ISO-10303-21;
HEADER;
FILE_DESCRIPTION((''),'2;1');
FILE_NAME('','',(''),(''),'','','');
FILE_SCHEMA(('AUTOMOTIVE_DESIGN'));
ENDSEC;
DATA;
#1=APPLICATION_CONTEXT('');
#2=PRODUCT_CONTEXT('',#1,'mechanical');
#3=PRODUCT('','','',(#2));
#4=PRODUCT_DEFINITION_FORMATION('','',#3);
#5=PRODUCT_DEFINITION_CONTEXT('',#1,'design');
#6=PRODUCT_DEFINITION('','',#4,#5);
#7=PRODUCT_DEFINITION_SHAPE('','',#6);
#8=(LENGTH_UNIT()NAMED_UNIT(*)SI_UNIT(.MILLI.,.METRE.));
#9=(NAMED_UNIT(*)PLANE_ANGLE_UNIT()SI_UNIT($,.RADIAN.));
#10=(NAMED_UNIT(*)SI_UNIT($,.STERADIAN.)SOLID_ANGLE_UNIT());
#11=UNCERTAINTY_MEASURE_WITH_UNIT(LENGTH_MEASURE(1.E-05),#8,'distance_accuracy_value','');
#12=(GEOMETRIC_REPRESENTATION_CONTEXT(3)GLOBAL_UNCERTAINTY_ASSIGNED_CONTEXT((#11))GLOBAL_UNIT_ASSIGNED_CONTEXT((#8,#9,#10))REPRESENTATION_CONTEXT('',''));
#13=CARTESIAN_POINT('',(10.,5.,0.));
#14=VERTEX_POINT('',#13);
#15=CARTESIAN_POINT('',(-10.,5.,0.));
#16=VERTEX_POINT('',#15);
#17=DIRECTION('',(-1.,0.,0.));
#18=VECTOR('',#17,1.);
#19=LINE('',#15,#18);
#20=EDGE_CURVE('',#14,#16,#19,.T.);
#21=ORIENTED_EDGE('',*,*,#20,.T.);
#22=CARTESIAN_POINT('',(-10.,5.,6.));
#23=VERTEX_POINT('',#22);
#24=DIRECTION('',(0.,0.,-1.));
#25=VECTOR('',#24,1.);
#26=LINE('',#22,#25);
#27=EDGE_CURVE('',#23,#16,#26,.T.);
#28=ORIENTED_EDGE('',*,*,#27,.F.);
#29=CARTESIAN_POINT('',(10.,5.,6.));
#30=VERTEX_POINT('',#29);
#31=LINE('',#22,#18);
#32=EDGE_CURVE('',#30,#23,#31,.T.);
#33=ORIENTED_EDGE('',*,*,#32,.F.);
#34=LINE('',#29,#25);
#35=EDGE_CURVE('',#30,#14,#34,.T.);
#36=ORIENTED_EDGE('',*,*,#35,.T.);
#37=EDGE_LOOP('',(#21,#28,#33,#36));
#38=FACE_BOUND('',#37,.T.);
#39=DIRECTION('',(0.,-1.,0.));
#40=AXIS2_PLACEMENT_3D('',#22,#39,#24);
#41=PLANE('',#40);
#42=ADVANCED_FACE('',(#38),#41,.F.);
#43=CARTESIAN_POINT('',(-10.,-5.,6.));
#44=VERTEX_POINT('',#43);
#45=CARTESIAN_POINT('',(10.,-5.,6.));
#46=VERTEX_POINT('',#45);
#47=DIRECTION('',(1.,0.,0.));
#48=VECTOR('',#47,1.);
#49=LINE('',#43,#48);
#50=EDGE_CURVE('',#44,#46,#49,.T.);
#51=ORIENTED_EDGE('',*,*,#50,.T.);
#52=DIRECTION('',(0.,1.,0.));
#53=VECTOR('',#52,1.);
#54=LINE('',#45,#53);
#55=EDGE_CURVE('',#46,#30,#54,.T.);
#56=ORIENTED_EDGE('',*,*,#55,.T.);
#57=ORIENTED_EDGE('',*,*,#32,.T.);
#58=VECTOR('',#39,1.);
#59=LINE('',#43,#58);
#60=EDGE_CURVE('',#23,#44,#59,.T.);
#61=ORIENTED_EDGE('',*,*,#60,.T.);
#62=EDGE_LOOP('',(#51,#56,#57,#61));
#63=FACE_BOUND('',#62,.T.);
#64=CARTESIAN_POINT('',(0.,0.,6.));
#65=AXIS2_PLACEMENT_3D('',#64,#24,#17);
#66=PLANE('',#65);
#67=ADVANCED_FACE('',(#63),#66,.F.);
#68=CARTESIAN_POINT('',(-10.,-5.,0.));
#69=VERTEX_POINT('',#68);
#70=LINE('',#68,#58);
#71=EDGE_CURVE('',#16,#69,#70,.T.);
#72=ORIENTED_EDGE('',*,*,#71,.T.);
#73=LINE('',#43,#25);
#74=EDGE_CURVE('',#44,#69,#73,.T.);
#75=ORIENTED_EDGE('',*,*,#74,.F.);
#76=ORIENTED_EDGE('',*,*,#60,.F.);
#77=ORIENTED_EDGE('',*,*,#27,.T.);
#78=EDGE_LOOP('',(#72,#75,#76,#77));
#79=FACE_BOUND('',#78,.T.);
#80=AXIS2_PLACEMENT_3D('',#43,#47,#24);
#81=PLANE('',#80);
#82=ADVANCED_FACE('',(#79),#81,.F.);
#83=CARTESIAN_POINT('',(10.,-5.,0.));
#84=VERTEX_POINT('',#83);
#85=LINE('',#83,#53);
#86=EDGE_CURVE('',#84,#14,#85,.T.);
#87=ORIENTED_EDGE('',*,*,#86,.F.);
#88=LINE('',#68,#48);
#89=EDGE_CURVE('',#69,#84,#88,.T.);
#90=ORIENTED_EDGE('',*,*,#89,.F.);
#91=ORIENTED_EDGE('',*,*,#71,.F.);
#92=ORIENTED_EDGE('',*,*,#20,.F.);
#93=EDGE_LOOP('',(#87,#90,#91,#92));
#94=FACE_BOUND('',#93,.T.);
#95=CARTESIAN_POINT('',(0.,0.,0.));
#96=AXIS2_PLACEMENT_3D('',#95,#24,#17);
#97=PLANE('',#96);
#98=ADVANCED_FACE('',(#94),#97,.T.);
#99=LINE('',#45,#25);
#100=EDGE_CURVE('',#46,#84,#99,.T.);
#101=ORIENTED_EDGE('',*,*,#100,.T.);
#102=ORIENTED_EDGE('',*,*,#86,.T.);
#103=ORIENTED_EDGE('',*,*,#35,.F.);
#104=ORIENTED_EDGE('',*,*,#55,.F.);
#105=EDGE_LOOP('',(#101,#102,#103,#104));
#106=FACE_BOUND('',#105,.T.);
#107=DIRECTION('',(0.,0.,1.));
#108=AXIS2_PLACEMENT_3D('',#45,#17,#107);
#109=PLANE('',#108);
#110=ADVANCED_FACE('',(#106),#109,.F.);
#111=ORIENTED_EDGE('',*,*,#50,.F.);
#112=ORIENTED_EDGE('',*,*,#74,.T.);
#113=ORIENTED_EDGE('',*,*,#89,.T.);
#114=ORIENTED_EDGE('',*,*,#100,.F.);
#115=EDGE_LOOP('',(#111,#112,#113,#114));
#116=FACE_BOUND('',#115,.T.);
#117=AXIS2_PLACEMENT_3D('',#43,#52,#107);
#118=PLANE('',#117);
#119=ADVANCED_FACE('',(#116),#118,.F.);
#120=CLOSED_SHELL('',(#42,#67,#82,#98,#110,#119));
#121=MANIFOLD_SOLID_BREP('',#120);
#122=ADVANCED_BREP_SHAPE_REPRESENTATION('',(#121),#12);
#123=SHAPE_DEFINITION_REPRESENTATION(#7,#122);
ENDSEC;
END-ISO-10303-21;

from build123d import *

# Parameters (mm, degrees)
SKETCH_1_W      = 20
SKETCH_1_H      = 10
EXTRUDE_1_DEPTH = 6


with BuildPart() as part:
    # Эскиз1 → Бобышка-Вытянуть1 (new body)
    with BuildSketch(Plane.XY):
        Rectangle(SKETCH_1_W, SKETCH_1_H)
    extrude(amount=EXTRUDE_1_DEPTH)


solid = part.part
